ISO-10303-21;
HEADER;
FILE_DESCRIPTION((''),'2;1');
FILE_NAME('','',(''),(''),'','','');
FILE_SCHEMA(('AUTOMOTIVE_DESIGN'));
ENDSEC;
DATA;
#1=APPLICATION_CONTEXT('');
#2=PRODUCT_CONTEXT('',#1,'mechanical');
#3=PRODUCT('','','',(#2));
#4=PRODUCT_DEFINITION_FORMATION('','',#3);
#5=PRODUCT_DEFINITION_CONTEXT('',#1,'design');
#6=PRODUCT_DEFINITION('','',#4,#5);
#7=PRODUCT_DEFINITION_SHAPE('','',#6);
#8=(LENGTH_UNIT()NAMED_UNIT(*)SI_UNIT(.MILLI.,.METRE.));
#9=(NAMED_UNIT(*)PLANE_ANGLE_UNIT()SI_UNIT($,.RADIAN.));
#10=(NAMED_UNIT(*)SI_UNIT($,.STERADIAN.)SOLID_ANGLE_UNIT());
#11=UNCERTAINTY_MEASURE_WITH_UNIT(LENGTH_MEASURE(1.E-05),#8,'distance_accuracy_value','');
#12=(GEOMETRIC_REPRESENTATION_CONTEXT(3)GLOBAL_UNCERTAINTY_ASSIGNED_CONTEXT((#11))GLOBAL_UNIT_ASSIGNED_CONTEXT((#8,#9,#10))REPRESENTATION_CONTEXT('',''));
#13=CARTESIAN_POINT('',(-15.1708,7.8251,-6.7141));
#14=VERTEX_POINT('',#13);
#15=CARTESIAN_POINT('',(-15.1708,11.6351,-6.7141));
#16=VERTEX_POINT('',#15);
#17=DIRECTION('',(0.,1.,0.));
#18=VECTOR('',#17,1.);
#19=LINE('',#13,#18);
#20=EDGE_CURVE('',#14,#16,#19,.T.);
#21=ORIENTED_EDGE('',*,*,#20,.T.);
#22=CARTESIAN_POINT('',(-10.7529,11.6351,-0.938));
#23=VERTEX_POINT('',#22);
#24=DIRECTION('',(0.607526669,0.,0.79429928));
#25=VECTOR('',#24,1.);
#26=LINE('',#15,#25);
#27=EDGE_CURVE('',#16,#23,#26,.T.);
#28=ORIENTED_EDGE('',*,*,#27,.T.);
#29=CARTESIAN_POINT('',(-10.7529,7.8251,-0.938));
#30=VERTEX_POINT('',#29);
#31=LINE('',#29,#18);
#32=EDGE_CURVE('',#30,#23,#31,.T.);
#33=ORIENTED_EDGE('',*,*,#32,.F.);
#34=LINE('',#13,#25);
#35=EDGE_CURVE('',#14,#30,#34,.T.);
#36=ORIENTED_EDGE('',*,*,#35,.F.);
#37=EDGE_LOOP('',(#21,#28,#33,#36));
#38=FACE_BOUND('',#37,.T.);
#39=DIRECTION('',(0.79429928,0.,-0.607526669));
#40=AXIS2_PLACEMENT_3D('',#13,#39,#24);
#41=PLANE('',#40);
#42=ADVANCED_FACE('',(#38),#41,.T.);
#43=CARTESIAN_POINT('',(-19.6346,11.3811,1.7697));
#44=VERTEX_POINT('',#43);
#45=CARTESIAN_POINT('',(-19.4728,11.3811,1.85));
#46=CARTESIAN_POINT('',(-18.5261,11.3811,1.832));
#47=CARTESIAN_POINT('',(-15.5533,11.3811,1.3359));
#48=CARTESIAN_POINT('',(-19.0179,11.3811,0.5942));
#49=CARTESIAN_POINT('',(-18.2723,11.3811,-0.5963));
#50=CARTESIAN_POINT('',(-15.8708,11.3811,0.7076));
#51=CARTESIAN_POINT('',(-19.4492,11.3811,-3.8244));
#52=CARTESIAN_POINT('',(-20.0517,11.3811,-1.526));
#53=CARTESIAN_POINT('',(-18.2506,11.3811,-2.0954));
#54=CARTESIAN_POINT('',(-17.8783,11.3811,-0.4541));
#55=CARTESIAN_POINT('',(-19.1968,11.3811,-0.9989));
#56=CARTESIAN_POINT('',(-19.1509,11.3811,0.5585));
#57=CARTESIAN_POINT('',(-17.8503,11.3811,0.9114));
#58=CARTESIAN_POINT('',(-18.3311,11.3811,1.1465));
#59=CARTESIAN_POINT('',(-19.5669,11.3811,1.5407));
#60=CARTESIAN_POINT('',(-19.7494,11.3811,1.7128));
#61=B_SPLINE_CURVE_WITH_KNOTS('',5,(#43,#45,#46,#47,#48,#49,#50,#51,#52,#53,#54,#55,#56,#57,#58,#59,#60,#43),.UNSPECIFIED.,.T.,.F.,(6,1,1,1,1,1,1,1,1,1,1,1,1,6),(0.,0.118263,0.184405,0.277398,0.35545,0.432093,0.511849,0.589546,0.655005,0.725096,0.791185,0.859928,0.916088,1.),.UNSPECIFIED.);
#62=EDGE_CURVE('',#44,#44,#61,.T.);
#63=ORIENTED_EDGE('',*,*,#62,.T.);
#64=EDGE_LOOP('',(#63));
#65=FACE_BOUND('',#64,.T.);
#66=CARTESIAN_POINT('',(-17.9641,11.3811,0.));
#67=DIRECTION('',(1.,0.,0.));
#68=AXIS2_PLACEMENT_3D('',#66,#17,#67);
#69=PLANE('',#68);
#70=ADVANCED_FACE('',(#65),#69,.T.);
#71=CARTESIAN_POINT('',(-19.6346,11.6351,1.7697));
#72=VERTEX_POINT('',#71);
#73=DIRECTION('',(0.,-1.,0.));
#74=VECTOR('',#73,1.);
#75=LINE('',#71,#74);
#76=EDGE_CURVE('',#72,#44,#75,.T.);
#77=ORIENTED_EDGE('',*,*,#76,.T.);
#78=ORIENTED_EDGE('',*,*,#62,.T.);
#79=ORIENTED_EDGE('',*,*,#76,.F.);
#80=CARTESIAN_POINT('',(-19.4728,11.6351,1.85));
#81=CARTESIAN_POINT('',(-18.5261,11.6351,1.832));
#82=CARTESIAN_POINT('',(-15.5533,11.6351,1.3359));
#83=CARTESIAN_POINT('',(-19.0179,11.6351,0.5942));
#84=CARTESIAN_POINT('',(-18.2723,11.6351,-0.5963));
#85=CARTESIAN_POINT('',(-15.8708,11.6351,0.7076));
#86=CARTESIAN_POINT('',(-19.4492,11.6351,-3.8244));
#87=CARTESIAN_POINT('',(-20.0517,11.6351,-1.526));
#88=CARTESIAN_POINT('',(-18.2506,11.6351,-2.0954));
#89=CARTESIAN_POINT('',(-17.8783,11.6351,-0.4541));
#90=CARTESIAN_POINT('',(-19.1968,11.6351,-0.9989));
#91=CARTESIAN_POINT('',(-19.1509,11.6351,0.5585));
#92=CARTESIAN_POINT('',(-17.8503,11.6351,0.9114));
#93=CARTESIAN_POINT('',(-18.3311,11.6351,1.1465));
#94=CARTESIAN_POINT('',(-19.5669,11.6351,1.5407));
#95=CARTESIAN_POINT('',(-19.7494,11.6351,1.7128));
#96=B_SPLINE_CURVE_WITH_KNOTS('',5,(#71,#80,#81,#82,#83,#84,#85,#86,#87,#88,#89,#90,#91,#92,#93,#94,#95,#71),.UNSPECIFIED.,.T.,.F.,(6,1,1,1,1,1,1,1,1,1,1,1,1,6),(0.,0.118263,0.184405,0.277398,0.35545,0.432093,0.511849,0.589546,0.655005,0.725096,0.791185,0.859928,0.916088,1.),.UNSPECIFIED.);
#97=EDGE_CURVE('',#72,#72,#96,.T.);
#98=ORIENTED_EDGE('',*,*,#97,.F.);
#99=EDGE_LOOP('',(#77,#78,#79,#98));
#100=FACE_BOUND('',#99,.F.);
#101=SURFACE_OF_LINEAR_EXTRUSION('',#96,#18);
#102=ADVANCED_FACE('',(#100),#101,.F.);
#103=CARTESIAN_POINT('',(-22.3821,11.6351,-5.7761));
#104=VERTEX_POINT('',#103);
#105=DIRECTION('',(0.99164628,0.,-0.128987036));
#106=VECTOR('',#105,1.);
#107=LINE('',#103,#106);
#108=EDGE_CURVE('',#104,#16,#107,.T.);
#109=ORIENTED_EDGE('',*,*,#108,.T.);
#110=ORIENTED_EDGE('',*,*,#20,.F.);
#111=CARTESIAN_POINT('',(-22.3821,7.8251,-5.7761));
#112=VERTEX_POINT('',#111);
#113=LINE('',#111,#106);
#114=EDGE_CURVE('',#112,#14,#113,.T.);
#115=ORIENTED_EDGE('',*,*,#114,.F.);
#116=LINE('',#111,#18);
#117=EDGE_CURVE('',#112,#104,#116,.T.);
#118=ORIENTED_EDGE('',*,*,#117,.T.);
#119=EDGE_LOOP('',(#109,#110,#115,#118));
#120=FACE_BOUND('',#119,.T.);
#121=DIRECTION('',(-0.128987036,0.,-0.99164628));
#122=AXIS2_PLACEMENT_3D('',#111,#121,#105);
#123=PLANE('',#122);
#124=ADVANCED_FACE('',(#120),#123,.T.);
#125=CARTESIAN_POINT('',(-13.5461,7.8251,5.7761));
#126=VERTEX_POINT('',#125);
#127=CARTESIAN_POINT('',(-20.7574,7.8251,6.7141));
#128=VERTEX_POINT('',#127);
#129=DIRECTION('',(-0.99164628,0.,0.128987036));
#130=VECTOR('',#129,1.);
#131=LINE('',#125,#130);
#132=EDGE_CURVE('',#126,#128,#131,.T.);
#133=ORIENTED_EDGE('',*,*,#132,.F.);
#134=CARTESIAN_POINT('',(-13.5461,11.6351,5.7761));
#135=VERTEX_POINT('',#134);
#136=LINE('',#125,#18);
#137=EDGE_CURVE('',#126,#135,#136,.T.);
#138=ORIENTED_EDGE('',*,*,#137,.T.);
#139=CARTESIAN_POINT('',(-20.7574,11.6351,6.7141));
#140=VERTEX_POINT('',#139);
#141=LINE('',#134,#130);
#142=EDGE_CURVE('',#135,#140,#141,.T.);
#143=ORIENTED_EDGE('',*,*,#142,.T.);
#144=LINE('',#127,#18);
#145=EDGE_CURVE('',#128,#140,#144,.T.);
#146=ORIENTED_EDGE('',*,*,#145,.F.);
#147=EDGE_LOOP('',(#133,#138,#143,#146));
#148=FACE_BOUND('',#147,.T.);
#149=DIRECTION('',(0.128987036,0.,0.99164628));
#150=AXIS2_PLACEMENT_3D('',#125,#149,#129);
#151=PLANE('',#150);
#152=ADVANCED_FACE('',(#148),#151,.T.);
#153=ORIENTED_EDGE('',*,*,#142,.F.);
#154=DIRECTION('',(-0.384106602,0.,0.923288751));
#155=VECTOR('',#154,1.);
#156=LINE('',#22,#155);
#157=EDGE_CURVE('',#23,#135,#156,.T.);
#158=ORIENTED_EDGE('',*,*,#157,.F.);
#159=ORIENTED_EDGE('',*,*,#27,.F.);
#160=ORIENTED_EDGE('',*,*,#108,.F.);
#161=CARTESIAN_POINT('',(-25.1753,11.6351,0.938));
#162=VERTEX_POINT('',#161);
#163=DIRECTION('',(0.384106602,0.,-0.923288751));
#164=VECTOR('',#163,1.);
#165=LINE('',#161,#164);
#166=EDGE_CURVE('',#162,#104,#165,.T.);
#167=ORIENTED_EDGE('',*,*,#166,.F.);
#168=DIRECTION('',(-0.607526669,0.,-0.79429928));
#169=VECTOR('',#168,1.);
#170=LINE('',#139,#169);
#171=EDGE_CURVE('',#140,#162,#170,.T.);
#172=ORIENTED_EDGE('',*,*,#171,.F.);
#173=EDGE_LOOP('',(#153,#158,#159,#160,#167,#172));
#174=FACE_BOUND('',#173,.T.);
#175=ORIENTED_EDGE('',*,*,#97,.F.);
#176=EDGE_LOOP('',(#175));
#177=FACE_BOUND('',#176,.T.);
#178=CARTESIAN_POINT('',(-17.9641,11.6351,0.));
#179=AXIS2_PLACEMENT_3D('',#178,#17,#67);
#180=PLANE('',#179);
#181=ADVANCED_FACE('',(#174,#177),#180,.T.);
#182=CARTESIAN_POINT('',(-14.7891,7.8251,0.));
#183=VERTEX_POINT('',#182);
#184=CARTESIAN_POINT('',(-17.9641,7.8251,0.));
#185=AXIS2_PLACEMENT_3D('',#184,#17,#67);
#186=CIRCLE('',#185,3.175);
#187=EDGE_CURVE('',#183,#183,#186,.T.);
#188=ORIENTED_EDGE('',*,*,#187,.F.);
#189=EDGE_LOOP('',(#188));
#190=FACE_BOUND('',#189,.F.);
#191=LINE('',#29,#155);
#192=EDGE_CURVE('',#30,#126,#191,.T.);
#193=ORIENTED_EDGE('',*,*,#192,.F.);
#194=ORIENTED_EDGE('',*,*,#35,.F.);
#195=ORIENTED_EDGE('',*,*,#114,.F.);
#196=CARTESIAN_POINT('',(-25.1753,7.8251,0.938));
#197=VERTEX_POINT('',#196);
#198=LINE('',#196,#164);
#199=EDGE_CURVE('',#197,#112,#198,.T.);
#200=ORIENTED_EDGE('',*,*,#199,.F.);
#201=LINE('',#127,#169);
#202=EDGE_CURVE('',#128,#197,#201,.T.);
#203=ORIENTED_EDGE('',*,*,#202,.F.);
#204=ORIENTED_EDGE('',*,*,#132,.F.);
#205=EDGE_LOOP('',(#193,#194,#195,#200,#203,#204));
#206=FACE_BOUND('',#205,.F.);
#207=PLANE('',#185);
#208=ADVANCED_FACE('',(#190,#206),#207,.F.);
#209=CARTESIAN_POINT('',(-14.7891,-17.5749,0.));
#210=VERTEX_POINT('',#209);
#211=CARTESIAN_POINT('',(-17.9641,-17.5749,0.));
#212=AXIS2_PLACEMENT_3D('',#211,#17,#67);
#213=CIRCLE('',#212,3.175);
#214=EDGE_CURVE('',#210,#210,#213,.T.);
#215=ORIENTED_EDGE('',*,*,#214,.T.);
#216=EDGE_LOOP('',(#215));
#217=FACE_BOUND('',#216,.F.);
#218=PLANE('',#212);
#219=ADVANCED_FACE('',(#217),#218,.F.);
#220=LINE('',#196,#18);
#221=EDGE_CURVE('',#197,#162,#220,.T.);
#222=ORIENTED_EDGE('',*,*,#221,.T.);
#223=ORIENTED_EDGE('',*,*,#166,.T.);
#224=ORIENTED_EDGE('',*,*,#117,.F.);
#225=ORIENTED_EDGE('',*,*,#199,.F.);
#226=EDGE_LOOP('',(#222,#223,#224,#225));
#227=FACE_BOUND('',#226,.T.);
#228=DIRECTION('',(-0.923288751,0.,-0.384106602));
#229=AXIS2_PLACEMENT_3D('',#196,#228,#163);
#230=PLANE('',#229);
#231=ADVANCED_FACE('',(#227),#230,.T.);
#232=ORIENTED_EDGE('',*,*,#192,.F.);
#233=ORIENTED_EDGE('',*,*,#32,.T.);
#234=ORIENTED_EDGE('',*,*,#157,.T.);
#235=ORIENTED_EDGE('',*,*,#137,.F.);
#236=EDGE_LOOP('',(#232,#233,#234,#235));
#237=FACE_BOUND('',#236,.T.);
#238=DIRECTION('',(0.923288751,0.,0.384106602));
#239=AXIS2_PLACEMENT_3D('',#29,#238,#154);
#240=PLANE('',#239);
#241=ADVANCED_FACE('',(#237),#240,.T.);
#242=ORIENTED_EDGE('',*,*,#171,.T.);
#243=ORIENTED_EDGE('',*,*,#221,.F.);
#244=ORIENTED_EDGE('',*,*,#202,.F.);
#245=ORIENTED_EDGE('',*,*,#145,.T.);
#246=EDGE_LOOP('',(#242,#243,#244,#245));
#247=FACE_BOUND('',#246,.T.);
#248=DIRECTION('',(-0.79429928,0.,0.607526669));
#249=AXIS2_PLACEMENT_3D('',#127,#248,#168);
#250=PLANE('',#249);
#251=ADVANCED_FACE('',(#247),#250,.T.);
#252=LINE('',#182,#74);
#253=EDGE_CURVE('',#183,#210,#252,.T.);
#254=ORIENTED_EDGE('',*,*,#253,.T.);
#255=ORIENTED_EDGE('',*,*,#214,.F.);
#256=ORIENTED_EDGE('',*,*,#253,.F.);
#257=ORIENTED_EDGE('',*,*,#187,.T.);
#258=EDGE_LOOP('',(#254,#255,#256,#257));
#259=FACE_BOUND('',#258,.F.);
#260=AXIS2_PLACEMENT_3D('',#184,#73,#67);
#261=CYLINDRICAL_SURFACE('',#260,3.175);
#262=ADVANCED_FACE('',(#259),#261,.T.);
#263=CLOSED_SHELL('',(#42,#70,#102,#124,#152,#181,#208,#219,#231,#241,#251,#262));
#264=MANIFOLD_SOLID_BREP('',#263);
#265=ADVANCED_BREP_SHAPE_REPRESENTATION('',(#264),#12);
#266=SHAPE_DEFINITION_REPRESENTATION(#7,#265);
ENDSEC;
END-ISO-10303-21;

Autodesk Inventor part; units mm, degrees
ref_plane "YZ Plane" through (0, 0, 0) normal (1, 0, 0) x (0, 1, 0)
ref_plane "XZ Plane" through (0, 0, 0) normal (0, 1, 0) x (-1, 0, 0)
ref_plane "XY Plane" through (0, 0, 0) normal (0, 0, 1) x (1, 0, 0)
sketch "Sketch1" plane through (0, 0, 0) normal (0, 0, 1) x (1, 0, 0)
  line L0 (-17.9641, 7.8251) -> (-14.7891, 7.8251)
  line L1 (-14.7891, 7.8251) -> (-14.7891, -17.5749)
  line L2 (-14.7891, -17.5749) -> (-17.9641, -17.5749)
  line L3 (-17.9641, -17.5749) -> (-17.9641, 7.8251)
  point P0 (0, 0)
  dimension "d0" = 3.175
  dimension "d1" = 25.4
revolve "Revolution1" add sketch "Sketch1" angle 360 about axis through (-17.9641, -17.5749, 0) along (0, 1, 0)
sketch "Sketch2" plane through (-17.9641, 7.8251, 0) normal (0, 1, 0) x (1, 0, 0)
  circle A0 centre (0, 0) radius 3.175 projected
  line L0 (-2.7933, -6.7141) -> (-7.2112, -0.938)
  line L1 (-7.2112, -0.938) -> (-4.418, 5.7761)
  line L2 (-4.418, 5.7761) -> (2.7933, 6.7141)
  line L3 (2.7933, 6.7141) -> (7.2112, 0.938)
  line L4 (7.2112, 0.938) -> (4.418, -5.7761)
  line L5 (4.418, -5.7761) -> (-2.7933, -6.7141)
  point P0 (17.9641, 0)
extrude "Extrusion1" add sketch "Sketch2" along normal blind 3.81 contours A0 | L0 L1 L2 L3 L4 L5
thread "Thread1" size "1/4-20 UNC" class "2A" standard "ANSI Unified Screw Threads" full length
sketch "Sketch3" plane through (-17.9641, 11.6351, 0) normal (0, 1, 0) x (1, 0, 0)
  spline S0 degree 5 poles (-1.6705, -1.7697) (-1.5087, -1.85) (-0.562, -1.832) (2.4108, -1.3359) (-1.0538, -0.5942) (-0.3082, 0.5963) (2.0933, -0.7076) (-1.4851, 3.8244) (-2.0876, 1.526) (-0.2865, 2.0954) (0.0858, 0.4541) (-1.2327, 0.9989) (-1.1868, -0.5585) (0.1138, -0.9114) (-0.367, -1.1465) (-1.6028, -1.5407) (-1.7853, -1.7128) (-1.6705, -1.7697) knots 0 0 0 0 0 0 0.118263 0.184405 0.277398 0.35545 0.432093 0.511849 0.589546 0.655005 0.725096 0.791185 0.859928 0.916088 1 1 1 1 1 1
  point P0 (17.9641, 0)
  point P1 (-0.2467, -0.2687)
  point P2 (-0.1215, 0.0477)
  point P3 (0.7392, 0.3)
  point P4 (-1.3859, 2.4418)
  point P5 (-1.4827, 2.0902)
  point P6 (-0.4576, 1.5038)
  point P7 (-0.3161, 0.9046)
  point P8 (-0.8855, 0.5658)
  point P9 (-0.8855, -0.3278)
  point P10 (-0.3187, -0.9153)
  point P11 (-0.8855, -1.3006)
extrude "Extrusion2" cut sketch "Sketch3" against normal blind 0.254
properties part number ".25 diameter 1'' bolt"
